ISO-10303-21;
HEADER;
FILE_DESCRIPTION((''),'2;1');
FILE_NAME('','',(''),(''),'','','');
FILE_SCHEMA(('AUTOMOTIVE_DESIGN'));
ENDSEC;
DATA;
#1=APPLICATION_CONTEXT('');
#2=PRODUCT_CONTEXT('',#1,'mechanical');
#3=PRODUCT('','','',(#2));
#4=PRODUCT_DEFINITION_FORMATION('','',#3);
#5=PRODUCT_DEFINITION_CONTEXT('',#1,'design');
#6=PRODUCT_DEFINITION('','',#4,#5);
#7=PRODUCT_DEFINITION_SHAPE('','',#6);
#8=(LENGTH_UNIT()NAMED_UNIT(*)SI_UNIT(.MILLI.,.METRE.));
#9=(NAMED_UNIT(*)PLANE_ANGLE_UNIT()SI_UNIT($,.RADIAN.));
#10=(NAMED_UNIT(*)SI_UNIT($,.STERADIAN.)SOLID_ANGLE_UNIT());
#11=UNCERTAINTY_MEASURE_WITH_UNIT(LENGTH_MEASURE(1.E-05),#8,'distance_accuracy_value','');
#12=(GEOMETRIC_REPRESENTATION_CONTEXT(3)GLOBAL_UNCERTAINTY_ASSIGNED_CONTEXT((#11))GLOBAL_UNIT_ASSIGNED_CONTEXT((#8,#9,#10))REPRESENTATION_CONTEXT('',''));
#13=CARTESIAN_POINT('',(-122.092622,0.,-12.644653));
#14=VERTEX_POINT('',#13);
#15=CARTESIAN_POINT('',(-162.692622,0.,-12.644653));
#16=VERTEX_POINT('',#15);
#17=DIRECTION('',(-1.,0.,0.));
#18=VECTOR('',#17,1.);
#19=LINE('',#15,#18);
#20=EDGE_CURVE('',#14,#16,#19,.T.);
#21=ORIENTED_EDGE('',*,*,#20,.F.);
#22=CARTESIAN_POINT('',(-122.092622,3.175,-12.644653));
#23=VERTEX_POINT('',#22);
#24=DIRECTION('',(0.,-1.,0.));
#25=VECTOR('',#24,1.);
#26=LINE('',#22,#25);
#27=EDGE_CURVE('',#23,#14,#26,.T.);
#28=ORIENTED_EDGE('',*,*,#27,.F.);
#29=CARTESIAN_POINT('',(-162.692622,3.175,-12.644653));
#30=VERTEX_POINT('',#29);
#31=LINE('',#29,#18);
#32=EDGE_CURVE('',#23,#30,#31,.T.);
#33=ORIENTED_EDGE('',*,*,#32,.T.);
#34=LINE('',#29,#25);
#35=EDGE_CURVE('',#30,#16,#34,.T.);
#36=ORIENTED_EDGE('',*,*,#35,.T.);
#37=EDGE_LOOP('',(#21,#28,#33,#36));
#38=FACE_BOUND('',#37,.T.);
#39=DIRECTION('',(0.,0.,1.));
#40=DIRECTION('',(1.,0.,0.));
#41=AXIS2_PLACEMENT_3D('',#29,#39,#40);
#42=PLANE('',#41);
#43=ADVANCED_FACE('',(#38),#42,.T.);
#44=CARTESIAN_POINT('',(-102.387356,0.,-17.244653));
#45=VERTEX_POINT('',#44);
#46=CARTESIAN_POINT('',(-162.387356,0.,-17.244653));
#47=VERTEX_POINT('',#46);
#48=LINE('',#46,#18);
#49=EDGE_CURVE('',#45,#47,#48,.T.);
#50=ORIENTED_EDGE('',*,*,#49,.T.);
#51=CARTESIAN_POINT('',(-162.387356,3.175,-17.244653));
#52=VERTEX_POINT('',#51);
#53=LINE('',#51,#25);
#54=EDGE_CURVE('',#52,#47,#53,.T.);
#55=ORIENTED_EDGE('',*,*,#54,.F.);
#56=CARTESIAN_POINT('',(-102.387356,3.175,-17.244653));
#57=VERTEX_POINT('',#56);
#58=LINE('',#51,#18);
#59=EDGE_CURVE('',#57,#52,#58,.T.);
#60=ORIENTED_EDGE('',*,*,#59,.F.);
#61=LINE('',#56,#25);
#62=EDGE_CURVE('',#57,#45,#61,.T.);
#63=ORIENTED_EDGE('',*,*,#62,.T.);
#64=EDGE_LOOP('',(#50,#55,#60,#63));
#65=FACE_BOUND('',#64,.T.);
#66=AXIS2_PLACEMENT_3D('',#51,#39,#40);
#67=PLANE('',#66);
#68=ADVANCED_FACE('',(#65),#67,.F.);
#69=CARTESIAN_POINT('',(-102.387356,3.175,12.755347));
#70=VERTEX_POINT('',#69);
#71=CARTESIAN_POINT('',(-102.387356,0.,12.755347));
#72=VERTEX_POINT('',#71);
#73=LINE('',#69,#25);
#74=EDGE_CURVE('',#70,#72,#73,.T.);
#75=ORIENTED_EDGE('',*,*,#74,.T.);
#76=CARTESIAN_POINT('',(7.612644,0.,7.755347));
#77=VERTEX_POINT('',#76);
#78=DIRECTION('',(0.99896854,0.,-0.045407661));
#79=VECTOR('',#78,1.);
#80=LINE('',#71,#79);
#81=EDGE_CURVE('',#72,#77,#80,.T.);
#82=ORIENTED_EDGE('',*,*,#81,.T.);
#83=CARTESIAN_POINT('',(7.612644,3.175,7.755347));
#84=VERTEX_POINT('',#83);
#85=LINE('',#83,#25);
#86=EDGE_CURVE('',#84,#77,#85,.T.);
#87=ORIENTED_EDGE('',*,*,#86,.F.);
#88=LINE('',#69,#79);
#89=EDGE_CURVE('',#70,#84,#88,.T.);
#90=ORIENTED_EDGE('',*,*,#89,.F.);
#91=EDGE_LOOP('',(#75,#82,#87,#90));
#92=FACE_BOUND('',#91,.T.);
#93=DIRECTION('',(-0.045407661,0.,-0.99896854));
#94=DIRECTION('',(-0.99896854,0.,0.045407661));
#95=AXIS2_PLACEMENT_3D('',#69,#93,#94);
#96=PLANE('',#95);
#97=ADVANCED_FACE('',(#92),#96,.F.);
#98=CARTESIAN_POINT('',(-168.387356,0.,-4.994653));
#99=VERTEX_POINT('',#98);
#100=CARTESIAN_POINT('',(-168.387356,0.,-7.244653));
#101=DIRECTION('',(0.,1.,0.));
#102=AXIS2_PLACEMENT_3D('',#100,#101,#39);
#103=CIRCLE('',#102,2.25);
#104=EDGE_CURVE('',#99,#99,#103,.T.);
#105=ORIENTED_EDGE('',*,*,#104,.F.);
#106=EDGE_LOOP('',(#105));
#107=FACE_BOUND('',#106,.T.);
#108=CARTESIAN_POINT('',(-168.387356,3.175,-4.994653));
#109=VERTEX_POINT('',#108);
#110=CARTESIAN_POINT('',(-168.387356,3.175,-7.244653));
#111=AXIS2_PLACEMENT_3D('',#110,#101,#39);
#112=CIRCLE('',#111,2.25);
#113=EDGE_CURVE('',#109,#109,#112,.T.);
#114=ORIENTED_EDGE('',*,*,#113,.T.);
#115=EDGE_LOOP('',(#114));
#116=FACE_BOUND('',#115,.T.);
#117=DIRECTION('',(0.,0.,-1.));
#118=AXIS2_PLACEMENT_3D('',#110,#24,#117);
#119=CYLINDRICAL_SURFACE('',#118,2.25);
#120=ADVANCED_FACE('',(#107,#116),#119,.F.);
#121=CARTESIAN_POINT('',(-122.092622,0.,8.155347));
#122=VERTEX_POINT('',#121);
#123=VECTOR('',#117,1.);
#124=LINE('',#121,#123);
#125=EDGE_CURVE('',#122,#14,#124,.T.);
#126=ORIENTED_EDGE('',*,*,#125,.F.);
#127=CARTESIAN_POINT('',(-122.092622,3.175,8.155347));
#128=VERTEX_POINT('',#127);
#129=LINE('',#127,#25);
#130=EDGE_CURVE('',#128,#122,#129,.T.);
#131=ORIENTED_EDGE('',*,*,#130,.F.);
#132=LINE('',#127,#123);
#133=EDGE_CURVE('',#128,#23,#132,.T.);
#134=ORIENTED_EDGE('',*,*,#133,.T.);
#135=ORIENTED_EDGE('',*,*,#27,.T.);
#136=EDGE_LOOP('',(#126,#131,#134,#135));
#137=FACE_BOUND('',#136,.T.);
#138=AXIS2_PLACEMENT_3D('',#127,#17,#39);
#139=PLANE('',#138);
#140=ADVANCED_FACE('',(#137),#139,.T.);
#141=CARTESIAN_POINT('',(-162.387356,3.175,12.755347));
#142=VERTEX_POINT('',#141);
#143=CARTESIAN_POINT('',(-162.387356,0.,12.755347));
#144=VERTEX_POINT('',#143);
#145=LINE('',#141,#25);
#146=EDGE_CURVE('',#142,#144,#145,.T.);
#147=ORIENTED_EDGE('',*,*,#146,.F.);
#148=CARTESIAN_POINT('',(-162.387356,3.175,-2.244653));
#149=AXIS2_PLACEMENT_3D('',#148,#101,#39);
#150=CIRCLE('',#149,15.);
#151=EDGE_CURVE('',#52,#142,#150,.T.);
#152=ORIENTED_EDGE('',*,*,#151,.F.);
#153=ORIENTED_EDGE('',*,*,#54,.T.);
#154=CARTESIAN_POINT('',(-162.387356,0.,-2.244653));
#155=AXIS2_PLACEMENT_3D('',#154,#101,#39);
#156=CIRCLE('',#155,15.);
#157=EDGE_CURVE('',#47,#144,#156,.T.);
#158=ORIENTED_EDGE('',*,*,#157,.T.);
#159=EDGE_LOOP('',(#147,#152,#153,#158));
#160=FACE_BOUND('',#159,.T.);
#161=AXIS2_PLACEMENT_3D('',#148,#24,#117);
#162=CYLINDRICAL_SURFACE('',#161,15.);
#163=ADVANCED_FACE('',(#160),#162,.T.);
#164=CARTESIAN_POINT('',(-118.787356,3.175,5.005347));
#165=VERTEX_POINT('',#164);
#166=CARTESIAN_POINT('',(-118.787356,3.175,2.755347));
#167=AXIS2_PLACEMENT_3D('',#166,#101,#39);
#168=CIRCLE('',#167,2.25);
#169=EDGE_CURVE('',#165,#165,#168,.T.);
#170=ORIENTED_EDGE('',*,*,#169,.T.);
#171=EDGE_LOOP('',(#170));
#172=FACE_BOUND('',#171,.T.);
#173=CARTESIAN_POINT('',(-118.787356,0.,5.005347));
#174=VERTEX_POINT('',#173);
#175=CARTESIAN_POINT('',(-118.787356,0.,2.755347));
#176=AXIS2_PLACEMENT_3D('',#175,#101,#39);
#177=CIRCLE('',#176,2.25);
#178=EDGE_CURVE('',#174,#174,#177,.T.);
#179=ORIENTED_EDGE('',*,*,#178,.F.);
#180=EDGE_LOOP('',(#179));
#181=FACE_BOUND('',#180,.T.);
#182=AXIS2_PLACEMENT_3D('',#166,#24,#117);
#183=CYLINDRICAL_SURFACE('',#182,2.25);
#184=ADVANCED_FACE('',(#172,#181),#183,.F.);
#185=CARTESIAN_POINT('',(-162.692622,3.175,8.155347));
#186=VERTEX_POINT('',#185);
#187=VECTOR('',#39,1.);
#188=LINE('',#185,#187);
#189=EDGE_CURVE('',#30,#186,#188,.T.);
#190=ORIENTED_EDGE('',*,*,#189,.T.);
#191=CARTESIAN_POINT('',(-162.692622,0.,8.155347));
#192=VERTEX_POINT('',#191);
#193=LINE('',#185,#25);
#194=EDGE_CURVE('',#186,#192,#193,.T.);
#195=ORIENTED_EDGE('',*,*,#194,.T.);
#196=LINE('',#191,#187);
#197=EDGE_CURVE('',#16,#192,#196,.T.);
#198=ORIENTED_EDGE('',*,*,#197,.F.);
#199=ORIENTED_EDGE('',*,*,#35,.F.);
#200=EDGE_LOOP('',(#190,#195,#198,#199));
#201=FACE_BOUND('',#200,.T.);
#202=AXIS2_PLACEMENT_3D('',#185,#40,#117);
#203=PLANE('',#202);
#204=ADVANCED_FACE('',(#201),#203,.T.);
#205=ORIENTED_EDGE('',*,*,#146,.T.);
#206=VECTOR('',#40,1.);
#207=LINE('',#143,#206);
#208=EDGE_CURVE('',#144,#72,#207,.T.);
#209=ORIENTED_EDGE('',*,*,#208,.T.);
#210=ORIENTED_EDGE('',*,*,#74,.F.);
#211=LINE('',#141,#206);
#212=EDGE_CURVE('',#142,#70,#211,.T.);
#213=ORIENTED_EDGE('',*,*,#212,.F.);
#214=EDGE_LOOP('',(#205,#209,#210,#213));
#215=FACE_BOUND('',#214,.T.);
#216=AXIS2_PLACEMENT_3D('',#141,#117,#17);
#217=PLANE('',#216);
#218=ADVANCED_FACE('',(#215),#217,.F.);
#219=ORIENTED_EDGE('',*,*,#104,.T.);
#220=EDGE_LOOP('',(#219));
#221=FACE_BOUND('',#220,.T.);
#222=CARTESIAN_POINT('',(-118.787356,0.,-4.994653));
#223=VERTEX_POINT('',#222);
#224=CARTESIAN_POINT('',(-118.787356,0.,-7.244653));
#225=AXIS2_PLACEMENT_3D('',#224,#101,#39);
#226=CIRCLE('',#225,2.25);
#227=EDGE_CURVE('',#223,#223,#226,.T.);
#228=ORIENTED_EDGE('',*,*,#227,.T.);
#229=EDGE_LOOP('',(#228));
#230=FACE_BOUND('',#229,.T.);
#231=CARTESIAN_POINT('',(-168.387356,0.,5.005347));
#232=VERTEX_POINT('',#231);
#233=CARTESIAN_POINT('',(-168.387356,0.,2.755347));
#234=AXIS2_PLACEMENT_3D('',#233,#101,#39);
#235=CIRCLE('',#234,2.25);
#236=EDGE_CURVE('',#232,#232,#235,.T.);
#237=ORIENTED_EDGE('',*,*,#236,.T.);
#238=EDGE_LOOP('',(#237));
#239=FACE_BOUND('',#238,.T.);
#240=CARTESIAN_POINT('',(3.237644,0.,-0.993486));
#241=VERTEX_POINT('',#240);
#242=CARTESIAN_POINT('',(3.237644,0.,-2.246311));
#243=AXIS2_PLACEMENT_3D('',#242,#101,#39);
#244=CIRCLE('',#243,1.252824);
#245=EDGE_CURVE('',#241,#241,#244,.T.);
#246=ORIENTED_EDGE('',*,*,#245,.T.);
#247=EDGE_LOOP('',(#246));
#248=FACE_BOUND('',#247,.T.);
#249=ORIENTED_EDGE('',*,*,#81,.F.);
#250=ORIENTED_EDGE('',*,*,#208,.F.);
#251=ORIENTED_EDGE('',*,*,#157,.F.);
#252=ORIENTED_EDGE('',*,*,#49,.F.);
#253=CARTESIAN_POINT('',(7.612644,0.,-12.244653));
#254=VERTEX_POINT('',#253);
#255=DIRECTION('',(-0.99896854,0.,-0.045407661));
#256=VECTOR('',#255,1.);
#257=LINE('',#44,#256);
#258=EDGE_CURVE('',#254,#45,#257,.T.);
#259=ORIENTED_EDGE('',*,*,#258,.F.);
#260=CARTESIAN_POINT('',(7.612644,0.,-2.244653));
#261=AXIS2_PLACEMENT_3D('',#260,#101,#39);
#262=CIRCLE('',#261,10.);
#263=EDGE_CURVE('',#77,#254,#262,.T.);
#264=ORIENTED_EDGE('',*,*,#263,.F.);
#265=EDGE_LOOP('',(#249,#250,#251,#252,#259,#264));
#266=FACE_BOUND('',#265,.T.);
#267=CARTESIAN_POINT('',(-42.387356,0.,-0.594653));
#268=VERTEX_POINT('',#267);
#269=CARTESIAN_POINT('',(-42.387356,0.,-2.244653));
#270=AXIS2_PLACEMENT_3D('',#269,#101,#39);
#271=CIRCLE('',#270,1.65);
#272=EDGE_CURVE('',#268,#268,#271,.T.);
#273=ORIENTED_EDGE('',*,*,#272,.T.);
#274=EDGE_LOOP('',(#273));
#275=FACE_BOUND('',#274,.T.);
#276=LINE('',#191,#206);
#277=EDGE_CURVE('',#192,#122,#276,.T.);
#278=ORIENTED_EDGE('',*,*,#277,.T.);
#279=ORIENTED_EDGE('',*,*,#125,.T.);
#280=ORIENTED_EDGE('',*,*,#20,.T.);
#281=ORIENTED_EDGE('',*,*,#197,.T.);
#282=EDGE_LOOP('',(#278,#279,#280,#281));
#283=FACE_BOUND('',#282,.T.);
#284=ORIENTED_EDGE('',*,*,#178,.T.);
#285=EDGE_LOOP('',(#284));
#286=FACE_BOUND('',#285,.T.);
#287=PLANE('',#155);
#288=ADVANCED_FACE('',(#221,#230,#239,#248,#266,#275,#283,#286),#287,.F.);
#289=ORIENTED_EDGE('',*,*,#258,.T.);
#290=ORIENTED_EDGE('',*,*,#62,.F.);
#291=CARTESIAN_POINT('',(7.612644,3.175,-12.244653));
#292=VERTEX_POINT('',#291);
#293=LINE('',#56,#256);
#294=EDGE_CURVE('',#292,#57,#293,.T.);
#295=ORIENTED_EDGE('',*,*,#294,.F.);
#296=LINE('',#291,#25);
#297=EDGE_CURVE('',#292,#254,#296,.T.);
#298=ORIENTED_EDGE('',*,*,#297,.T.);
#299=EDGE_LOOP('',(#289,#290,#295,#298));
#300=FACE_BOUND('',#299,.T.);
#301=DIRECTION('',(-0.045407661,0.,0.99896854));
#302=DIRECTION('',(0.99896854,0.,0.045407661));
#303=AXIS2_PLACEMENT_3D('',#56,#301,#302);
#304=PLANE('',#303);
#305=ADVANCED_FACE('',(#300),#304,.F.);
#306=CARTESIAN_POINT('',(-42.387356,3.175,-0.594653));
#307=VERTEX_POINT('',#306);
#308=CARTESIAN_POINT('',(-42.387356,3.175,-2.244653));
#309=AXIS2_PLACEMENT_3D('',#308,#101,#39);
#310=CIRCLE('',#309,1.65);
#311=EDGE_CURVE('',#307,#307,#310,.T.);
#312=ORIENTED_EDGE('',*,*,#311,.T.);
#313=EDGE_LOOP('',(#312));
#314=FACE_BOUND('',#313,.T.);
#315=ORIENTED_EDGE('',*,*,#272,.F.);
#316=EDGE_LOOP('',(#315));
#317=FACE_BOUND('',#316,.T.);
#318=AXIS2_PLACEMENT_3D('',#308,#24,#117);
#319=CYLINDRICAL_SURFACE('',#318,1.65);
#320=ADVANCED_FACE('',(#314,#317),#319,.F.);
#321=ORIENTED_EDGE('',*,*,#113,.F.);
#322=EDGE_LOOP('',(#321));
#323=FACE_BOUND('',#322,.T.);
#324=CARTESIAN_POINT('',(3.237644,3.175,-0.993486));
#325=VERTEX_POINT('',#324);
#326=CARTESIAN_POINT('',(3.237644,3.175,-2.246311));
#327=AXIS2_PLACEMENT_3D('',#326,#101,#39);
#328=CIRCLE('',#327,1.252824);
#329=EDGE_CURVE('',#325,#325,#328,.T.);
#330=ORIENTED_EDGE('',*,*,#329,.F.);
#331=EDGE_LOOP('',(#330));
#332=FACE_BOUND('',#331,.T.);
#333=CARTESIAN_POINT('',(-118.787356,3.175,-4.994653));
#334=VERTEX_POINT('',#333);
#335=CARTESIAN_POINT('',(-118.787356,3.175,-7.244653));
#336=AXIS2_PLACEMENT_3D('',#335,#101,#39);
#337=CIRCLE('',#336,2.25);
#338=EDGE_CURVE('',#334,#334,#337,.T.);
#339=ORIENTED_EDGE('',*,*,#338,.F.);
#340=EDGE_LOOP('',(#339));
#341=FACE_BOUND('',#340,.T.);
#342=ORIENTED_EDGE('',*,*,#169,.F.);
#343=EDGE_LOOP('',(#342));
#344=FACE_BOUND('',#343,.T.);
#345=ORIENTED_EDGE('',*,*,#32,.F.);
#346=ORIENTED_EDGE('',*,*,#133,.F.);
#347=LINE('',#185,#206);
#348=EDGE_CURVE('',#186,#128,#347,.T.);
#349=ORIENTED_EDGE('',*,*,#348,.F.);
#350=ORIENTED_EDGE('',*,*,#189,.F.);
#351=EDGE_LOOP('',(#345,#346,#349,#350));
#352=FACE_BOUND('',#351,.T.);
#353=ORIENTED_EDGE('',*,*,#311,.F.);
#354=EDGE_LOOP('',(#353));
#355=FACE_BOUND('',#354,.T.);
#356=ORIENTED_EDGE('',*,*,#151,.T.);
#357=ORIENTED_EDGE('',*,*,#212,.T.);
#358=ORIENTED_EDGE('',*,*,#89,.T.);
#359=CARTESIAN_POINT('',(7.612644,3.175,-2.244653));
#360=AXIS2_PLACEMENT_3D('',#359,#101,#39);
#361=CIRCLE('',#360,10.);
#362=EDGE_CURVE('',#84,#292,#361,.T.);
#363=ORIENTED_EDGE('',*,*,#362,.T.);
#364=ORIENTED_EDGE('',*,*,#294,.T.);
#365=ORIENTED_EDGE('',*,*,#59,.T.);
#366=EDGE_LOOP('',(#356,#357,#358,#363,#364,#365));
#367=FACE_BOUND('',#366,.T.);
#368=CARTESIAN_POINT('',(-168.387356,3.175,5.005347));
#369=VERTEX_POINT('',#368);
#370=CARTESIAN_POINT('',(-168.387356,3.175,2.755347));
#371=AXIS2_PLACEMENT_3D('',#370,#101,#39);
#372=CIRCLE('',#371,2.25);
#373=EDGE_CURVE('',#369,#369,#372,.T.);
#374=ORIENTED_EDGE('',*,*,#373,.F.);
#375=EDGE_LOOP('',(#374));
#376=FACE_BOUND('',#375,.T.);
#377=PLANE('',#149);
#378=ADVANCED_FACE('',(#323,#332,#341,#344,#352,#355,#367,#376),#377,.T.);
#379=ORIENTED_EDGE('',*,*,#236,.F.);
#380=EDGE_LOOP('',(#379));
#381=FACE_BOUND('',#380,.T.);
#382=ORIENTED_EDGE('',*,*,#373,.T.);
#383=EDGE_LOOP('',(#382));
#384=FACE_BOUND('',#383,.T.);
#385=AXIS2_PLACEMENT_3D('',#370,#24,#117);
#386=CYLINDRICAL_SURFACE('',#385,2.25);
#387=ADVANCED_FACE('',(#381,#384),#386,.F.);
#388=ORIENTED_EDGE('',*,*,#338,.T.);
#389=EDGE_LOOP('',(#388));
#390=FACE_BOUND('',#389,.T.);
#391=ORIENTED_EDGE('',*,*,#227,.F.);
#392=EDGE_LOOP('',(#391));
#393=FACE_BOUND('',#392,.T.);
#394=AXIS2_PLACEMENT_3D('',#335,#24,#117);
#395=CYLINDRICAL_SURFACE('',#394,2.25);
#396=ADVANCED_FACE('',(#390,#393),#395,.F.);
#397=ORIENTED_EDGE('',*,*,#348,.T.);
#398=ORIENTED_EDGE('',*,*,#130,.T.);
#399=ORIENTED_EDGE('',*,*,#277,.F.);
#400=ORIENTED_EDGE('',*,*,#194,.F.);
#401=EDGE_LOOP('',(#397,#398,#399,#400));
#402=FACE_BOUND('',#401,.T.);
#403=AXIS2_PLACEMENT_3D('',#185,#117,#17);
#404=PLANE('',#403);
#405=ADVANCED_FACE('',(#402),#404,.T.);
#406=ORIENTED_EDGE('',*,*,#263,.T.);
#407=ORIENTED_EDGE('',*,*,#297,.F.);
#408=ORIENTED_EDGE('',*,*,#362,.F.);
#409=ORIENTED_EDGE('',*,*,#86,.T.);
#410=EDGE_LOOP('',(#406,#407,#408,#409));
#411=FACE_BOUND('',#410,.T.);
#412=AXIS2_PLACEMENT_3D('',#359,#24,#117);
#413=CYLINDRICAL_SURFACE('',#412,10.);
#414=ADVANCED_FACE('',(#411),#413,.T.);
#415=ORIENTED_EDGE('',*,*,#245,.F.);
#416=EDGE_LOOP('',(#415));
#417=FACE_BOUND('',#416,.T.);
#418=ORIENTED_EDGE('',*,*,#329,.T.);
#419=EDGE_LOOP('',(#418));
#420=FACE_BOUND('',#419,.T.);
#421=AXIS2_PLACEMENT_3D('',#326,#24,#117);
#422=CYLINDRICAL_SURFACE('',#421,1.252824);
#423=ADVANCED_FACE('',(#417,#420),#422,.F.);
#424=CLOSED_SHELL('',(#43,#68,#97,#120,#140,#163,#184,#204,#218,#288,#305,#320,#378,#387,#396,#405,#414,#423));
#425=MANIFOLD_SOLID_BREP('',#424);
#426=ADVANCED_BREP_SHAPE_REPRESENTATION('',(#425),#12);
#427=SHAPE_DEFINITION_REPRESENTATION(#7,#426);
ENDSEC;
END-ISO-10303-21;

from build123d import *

# Parameters (mm, degrees)
SKETCH1_R           = 2.25
SKETCH1_R_2         = 1.65
SKETCH1_R_3         = 1.25282433
SKETCH1_W           = 40.6
SKETCH1_H           = 20.8
BOSS_EXTRUDE1_DEPTH = 3.175


with BuildPart() as part:
    # Sketch1 → Boss-Extrude1 (new body)
    with BuildSketch(Plane(origin=(0, 0, 0), x_dir=(1, 0, 0), z_dir=(0, 1, 0))):
        with BuildLine():
            Line((-162.38735588, 17.244652891), (-102.38735588, 17.244652891))
            Line((-102.38735588, 17.244652891), (7.61264412, 12.244652891))
            ThreePointArc((7.61264412, 12.244652891), (17.61264412, 2.244652891), (7.61264412, -7.755347109))
            Line((7.61264412, -7.755347109), (-102.38735588, -12.755347109))
            Line((-102.38735588, -12.755347109), (-162.38735588, -12.755347109))
            ThreePointArc((-162.38735588, -12.755347109), (-177.38735588, 2.244652891), (-162.38735588, 17.244652891))
        make_face()
        with Locations(Location((-168.38735588, 7.244652891, 0), (0, 0, 270))):
            Circle(SKETCH1_R, mode=Mode.SUBTRACT)
        with Locations(Location((-168.38735588, -2.755347109, 0), (0, 0, 270))):
            Circle(SKETCH1_R, mode=Mode.SUBTRACT)
        with Locations(Location((-118.78735588, 7.244652891, 0), (0, 0, 270))):
            Circle(SKETCH1_R, mode=Mode.SUBTRACT)
        with Locations(Location((-118.78735588, -2.755347109, 0), (0, 0, 270))):
            Circle(SKETCH1_R, mode=Mode.SUBTRACT)
        with Locations(Location((-42.38735588, 2.244652891, 0), (0, 0, 270))):
            Circle(SKETCH1_R_2, mode=Mode.SUBTRACT)
        with Locations(Location((3.23764412, 2.246310682, 0), (0, 0, 270))):
            Circle(SKETCH1_R_3, mode=Mode.SUBTRACT)
        with Locations((-142.392621679, 2.244652891)):
            Rectangle(SKETCH1_W, SKETCH1_H, mode=Mode.SUBTRACT)
    extrude(amount=BOSS_EXTRUDE1_DEPTH)


solid = part.part
